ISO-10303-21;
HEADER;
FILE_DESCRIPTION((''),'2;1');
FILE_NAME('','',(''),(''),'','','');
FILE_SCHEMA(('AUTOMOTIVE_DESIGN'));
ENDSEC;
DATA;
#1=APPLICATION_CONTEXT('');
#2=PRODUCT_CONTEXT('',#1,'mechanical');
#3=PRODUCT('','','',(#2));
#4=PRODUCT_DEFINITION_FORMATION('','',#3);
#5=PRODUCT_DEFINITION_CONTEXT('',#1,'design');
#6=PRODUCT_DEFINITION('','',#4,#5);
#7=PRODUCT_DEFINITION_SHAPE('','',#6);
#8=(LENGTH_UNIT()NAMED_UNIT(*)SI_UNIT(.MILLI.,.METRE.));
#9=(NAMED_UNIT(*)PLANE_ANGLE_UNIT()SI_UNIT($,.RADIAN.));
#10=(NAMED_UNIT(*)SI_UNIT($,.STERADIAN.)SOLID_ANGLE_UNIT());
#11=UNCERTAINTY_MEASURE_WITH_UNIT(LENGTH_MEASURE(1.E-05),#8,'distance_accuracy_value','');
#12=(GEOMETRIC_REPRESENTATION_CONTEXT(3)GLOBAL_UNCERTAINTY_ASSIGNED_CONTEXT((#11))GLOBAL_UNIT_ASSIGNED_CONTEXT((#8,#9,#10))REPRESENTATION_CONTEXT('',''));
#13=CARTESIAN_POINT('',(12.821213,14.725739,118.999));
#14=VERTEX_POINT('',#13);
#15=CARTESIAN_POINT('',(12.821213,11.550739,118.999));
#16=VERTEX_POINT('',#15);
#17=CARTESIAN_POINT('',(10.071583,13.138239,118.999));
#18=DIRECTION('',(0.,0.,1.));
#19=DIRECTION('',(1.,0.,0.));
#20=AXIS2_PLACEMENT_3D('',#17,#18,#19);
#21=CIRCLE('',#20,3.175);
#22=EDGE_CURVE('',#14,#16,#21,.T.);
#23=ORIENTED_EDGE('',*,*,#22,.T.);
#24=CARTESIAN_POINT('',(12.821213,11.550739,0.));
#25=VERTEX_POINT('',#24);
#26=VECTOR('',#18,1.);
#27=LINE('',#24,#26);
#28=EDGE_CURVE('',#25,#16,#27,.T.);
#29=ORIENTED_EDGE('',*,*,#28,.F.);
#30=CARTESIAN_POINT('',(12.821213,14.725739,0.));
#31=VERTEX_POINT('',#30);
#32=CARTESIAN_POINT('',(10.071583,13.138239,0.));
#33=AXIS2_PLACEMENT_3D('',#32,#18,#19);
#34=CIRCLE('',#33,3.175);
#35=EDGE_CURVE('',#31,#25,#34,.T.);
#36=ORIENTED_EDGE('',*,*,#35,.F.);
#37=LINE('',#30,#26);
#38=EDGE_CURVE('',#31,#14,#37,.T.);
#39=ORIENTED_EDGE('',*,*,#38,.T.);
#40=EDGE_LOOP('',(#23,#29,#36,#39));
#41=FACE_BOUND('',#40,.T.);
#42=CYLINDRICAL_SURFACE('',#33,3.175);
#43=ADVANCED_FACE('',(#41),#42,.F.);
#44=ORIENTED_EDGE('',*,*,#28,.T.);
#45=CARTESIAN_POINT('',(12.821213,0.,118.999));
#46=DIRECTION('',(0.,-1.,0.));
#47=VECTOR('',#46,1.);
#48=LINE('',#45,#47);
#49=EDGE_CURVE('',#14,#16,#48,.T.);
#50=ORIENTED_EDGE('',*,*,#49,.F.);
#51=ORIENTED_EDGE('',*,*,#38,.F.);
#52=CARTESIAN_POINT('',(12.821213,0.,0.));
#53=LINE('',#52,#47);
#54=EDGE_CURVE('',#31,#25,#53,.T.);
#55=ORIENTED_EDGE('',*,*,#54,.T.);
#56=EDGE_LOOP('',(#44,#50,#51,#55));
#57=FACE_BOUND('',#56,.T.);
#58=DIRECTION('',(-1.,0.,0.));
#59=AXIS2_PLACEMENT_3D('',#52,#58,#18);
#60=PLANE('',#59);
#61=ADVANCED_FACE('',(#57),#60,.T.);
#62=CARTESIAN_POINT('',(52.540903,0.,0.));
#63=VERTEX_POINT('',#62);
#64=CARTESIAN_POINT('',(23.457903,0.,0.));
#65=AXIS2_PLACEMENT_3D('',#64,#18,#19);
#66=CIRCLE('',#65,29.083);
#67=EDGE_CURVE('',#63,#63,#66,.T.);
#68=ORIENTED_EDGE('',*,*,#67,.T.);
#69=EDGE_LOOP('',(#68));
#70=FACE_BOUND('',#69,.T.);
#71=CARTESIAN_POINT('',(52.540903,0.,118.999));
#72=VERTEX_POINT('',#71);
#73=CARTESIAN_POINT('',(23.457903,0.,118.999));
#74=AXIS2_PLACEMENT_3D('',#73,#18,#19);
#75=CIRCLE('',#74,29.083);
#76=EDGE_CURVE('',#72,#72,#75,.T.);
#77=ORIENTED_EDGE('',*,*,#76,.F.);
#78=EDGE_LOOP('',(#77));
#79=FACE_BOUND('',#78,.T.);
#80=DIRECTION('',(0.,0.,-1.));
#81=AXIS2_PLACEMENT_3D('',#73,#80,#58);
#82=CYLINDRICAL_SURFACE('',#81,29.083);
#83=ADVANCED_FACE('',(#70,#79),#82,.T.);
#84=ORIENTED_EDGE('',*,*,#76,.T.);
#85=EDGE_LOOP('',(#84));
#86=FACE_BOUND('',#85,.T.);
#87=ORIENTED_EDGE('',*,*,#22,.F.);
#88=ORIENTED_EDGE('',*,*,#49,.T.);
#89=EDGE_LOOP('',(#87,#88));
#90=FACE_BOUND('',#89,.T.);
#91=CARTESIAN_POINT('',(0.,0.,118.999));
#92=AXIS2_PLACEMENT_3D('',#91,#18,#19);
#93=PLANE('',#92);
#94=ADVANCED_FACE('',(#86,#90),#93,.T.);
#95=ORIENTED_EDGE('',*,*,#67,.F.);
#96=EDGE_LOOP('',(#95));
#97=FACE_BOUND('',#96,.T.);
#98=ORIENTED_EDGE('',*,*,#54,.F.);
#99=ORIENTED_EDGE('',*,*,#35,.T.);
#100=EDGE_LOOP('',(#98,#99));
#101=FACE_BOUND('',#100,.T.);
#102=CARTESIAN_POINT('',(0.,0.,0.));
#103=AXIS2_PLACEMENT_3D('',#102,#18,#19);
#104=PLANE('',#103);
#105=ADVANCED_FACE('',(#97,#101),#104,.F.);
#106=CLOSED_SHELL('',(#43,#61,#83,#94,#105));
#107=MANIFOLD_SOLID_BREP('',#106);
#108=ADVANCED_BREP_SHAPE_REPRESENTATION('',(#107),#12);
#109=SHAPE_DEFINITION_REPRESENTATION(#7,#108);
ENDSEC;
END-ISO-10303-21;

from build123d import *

# Parameters (mm, degrees)
SKETCH1_R           = 29.083
BOSS_EXTRUDE1_DEPTH = 118.999
CUT_EXTRUDE1_DEPTH  = 134.293395672


with BuildPart() as part:
    # Sketch1 → Boss-Extrude1 (new body)
    with BuildSketch(Plane.XY):
        with Locations((23.457902541, 0)):
            Circle(SKETCH1_R)
    extrude(amount=BOSS_EXTRUDE1_DEPTH)

    # Sketch2 → Cut-Extrude1 (cut, through all)
    with BuildSketch(Plane.XY.offset(118.999)):
        with BuildLine():
            Line((12.821213261, 11.550738719), (12.821213261, 14.725738719))
            ThreePointArc((12.821213261, 14.725738719), (6.896582604, 13.138238719), (12.821213261, 11.550738719))
        make_face()
    extrude(amount=-CUT_EXTRUDE1_DEPTH, mode=Mode.SUBTRACT)


solid = part.part
